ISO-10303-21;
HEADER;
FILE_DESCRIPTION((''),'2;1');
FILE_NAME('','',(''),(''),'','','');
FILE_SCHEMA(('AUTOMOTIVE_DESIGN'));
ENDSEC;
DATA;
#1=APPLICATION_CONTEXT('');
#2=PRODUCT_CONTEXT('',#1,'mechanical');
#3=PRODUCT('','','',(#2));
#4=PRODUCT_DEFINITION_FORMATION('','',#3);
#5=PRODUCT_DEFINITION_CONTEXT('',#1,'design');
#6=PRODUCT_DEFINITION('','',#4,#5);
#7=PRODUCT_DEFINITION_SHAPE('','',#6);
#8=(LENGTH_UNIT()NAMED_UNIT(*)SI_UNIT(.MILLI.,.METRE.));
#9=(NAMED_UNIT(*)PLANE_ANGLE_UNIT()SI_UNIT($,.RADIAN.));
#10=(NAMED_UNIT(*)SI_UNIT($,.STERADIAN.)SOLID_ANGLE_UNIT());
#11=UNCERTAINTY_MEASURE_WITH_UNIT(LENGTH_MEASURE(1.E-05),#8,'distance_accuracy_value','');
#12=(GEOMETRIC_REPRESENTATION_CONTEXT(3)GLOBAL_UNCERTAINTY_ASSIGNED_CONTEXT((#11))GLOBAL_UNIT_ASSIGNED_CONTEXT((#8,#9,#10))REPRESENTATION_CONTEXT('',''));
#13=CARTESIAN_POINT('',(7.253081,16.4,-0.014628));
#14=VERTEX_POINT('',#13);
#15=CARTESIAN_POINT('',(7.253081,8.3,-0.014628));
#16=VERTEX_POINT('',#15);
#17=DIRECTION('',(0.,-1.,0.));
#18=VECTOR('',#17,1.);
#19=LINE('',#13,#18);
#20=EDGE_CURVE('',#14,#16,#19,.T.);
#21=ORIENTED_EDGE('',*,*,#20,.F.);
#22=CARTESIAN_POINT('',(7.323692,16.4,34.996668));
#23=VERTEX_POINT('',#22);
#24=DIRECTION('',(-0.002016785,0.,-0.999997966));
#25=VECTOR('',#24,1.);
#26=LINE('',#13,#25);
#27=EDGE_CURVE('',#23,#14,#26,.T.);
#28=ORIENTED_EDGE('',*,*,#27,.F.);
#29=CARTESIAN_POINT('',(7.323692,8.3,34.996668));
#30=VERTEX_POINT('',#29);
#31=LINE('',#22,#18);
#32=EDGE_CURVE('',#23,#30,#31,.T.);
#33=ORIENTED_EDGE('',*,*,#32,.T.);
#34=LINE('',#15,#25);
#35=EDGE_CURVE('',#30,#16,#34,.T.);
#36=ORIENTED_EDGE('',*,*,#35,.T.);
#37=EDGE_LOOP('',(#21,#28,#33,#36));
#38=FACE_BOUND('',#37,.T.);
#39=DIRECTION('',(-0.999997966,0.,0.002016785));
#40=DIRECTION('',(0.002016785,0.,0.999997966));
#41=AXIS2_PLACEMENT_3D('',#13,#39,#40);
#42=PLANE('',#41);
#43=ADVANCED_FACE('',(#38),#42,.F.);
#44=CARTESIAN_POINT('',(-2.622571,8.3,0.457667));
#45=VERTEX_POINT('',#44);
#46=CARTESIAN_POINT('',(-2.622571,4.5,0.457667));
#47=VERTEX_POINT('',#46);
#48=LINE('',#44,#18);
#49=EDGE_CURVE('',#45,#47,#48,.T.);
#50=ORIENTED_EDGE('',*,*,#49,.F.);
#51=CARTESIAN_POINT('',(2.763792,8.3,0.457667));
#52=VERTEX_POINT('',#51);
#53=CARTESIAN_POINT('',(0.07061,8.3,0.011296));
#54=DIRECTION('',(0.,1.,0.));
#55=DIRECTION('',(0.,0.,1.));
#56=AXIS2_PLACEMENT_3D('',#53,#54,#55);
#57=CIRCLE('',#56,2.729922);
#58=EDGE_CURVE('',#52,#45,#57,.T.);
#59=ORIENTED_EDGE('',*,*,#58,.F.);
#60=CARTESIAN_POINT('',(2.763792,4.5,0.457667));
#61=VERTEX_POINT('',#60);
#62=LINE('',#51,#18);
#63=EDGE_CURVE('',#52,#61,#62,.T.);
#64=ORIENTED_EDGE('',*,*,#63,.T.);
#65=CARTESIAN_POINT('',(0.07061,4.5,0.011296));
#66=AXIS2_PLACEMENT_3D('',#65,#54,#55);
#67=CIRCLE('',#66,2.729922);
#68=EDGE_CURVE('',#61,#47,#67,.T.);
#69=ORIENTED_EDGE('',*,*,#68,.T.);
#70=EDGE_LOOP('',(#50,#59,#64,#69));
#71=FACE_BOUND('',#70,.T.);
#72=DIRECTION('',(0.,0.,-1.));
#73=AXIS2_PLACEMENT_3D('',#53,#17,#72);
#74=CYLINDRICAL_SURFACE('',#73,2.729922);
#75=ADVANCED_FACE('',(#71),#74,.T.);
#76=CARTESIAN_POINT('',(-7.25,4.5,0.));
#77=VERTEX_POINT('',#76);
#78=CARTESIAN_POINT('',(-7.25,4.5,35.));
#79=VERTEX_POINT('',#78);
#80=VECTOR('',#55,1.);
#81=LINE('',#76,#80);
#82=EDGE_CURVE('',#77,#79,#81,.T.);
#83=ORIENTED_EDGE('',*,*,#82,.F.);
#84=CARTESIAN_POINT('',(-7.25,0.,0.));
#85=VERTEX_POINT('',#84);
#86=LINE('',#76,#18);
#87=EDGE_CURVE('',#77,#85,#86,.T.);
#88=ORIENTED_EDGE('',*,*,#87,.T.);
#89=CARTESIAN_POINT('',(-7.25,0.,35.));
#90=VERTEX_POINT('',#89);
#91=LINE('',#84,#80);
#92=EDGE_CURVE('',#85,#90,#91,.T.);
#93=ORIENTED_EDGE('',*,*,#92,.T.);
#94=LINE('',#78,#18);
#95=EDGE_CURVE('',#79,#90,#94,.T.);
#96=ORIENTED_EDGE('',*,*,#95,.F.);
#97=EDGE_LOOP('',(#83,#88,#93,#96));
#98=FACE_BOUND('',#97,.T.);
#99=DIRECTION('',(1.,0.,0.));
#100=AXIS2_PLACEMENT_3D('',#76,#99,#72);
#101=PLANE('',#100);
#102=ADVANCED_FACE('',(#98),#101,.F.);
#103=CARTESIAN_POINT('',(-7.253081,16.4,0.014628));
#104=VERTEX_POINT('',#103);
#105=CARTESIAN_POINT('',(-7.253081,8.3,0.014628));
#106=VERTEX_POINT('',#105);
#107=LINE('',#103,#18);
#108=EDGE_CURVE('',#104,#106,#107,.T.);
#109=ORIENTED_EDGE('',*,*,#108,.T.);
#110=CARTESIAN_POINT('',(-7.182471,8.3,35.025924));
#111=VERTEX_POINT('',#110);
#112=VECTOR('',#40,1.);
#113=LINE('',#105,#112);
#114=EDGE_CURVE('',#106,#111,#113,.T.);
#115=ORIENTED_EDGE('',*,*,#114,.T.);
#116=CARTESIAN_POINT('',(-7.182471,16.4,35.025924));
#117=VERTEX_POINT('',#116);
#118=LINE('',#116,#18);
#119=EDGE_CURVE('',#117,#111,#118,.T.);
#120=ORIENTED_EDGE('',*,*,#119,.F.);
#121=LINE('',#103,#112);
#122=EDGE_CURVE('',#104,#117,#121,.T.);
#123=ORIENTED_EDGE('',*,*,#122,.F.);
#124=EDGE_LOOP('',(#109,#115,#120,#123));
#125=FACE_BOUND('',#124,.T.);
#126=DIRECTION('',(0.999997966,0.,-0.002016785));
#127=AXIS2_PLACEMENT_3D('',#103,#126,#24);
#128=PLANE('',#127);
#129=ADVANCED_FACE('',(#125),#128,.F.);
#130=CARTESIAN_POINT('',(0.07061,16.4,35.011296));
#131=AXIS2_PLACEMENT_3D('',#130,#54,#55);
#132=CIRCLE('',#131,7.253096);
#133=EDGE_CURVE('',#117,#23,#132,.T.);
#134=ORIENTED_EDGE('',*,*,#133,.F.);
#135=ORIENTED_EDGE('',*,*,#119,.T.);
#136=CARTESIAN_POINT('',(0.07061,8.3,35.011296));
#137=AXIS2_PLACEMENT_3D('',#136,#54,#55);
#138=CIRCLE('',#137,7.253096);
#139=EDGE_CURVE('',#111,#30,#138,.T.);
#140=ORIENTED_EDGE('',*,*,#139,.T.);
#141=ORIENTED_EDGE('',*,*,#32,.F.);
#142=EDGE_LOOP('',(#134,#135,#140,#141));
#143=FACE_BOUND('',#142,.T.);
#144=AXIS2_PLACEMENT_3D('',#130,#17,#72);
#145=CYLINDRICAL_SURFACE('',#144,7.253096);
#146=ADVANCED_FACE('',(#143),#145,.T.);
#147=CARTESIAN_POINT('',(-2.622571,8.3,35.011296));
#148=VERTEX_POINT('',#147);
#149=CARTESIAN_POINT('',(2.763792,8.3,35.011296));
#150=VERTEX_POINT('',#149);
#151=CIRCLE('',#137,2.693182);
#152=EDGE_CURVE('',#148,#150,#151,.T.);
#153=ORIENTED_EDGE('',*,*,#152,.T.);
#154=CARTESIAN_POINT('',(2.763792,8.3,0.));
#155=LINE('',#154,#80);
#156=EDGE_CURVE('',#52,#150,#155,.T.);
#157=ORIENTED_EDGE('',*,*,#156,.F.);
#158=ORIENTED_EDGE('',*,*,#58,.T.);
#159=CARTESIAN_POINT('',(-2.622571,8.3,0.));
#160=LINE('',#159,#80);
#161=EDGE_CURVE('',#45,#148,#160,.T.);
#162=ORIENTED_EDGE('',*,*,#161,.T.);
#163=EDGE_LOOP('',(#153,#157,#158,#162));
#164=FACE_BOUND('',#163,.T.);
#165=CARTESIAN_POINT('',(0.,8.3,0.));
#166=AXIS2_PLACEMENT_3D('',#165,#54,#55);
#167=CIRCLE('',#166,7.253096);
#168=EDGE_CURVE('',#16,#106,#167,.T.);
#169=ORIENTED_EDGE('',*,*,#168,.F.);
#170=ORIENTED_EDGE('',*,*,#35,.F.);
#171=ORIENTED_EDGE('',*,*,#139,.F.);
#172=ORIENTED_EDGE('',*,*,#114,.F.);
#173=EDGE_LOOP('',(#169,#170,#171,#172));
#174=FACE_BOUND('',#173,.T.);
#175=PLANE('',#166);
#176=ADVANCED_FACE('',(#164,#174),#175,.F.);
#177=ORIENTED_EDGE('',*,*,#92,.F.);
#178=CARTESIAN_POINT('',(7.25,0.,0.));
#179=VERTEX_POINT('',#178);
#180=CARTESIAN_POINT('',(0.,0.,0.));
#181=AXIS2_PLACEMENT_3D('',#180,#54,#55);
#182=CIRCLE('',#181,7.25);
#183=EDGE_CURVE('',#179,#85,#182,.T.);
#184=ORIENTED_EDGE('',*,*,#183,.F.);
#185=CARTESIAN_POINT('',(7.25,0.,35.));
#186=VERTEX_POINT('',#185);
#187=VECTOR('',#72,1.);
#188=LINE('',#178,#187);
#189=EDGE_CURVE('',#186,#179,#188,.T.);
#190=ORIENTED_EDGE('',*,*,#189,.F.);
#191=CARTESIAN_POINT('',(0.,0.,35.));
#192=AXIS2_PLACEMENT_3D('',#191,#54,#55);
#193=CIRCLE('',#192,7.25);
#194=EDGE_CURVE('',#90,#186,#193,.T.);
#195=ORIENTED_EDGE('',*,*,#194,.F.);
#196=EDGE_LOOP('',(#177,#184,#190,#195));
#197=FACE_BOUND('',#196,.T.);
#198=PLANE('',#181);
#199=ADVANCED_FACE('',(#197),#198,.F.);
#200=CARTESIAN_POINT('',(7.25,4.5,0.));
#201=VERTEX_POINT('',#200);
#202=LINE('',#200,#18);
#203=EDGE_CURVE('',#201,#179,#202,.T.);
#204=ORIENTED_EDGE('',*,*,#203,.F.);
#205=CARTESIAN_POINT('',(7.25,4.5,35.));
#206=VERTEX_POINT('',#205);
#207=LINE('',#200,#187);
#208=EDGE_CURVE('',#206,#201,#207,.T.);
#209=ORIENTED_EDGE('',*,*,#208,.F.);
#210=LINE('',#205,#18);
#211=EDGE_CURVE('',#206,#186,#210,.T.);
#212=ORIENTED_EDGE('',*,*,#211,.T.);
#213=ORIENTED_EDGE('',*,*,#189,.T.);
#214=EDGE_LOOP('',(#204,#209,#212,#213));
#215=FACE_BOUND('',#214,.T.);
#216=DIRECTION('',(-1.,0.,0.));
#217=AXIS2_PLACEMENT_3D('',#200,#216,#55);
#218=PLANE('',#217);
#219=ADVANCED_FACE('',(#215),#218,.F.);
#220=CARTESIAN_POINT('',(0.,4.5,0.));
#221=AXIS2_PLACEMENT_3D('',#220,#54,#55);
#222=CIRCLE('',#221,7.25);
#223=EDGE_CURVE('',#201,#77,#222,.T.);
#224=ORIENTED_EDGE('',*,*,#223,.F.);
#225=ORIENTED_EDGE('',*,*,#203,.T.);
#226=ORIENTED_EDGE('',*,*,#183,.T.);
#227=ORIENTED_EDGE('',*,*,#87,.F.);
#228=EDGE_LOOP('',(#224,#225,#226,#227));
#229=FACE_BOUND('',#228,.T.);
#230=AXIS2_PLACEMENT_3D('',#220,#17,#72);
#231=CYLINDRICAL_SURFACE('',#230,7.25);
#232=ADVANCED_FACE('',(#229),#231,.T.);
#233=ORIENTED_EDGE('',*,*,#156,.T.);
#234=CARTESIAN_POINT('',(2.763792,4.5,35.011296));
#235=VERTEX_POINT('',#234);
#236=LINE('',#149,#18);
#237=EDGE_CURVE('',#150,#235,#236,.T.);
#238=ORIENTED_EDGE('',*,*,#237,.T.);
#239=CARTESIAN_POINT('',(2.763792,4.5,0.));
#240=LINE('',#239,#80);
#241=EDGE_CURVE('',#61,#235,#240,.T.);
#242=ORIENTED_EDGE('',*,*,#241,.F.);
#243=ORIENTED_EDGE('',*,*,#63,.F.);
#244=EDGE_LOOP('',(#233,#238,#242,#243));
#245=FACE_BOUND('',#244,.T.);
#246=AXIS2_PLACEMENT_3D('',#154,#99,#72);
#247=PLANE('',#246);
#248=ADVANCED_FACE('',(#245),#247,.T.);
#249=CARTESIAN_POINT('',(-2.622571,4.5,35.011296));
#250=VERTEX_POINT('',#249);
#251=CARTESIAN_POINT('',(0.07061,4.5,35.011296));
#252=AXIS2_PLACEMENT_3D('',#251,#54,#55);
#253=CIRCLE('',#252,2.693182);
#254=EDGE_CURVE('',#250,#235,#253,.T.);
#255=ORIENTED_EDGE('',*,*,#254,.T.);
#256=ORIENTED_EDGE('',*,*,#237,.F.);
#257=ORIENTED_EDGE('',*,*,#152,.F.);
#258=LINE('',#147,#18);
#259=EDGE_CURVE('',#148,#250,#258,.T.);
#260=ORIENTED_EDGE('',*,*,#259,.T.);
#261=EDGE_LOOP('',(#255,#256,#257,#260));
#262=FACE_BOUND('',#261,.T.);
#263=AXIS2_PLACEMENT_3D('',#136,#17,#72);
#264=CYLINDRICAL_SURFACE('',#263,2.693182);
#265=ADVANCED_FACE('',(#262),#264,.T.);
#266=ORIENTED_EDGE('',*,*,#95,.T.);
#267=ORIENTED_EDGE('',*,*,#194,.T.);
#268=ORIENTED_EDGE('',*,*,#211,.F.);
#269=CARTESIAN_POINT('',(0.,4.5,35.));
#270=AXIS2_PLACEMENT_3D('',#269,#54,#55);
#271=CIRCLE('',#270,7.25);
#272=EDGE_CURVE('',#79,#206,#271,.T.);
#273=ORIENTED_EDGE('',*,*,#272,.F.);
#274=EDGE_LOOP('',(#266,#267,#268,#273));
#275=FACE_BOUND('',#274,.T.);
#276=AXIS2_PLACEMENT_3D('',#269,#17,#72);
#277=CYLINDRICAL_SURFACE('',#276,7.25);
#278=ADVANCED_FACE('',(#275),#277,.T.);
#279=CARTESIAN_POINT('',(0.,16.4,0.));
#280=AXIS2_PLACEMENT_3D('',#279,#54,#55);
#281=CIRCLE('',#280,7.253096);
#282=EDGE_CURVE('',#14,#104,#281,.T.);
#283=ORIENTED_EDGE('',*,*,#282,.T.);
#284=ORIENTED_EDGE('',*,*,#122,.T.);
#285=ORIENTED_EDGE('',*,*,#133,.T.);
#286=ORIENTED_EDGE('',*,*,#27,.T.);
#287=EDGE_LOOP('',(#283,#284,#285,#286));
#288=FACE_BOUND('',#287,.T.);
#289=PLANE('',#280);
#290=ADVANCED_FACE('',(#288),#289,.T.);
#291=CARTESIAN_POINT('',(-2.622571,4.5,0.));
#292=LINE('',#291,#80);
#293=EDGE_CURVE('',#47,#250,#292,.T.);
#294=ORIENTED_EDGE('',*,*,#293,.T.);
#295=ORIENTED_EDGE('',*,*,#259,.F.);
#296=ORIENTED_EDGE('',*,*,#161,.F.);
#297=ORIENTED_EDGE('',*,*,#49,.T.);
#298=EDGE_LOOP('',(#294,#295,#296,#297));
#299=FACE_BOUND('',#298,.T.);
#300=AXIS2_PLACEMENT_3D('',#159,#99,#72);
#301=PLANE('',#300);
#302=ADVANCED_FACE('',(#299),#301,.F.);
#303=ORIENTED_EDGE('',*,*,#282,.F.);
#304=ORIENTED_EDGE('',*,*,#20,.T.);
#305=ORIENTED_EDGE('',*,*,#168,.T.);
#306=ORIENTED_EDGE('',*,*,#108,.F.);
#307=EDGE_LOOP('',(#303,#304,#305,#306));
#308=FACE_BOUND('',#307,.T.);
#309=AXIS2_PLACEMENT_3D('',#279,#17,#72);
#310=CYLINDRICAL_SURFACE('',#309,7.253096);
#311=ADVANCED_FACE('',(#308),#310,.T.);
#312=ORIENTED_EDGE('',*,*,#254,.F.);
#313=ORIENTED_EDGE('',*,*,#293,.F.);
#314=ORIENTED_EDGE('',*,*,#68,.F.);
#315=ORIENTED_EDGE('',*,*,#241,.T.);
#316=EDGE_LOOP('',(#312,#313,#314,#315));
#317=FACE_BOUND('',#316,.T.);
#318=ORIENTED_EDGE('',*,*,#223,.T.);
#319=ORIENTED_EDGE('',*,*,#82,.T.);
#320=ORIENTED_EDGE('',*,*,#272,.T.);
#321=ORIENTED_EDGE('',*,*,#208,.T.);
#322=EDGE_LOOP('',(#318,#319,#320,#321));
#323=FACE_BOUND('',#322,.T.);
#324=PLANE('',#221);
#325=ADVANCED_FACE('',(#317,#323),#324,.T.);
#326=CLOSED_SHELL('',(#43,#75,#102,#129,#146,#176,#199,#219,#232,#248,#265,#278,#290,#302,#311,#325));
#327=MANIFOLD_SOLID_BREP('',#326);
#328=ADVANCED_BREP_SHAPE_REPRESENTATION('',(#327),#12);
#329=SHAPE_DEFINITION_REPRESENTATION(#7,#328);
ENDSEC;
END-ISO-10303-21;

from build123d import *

# Parameters (mm, degrees)
BOSS_EXTRUDE1_DEPTH = 4.5
BOSS_EXTRUDE2_DEPTH = 3.8
BOSS_EXTRUDE3_DEPTH = 8.1


with BuildPart() as part:
    # Sketch1 → Boss-Extrude1 (new body)
    with BuildSketch(Plane(origin=(0, 0, 0), x_dir=(1, 0, 0), z_dir=(0, 1, 0))):
        with BuildLine():
            Line((7.25, 0), (7.25, -35))
            ThreePointArc((7.25, -35), (0, -42.25), (-7.25, -35))
            Line((-7.25, -35), (-7.25, 0))
            ThreePointArc((-7.25, 0), (0, 7.25), (7.25, 0))
        make_face()
    extrude(amount=BOSS_EXTRUDE1_DEPTH)

    # Sketch3 → Boss-Extrude2 (add)
    with BuildSketch(Plane(origin=(0, 4.5, 0), x_dir=(1, 0, 0), z_dir=(0, 1, 0))):
        with BuildLine():
            Line((-2.622571491, -0.457666807), (-2.622571491, -0.011296081))
            Line((-2.622571491, -0.011296081), (2.763792269, -0.011296081))
            Line((2.763792269, -0.011296081), (2.763792269, -0.457666807))
            ThreePointArc((2.763792269, -0.457666807), (2.791332039, -0.235236185), (2.800532634, -0.011296081))
            ThreePointArc((2.800532634, -0.011296081), (-0.153329714, 2.709425568), (-2.622571491, -0.457666807))
        make_face()
        with BuildLine():
            Line((2.763792269, -0.011296081), (-2.622571491, -0.011296081))
            Line((-2.622571491, -0.011296081), (-2.622571491, -0.457666807))
            ThreePointArc((-2.622571491, -0.457666807), (0.070610389, -2.741218326), (2.763792269, -0.457666807))
            Line((2.763792269, -0.457666807), (2.763792269, -0.011296081))
        make_face()
        with BuildLine():
            ThreePointArc((2.763792269, -0.457666807), (0.070610389, -2.741218326), (-2.622571491, -0.457666807))
            Line((-2.622571491, -0.457666807), (-2.622571491, -35.011296081))
            ThreePointArc((-2.622571491, -35.011296081), (0.070610389, -32.318114201), (2.763792269, -35.011296081))
            Line((2.763792269, -35.011296081), (2.763792269, -0.457666807))
        make_face()
        with BuildLine():
            ThreePointArc((2.763792269, -35.011296081), (0.070610389, -32.318114201), (-2.622571491, -35.011296081))
            Line((-2.622571491, -35.011296081), (2.763792269, -35.011296081))
        make_face()
        with BuildLine():
            Line((2.763792269, -35.011296081), (-2.622571491, -35.011296081))
            ThreePointArc((-2.622571491, -35.011296081), (0.070610389, -37.704477961), (2.763792269, -35.011296081))
        make_face()
    extrude(amount=BOSS_EXTRUDE2_DEPTH)

    # Sketch4 → Boss-Extrude3 (add)
    with BuildSketch(Plane(origin=(0, 8.3, 0), x_dir=(1, 0, 0), z_dir=(0, 1, 0))):
        with BuildLine():
            Line((7.25308141, 0.014627933), (7.323691799, -34.996668148))
            ThreePointArc((7.323691799, -34.996668148), (0.085238322, -42.264377491), (-7.182471021, -35.025924014))
            Line((-7.182471021, -35.025924014), (-7.25308141, -0.014627933))
            ThreePointArc((-7.25308141, -0.014627933), (-0.014627933, 7.25308141), (7.25308141, 0.014627933))
        make_face()
    extrude(amount=BOSS_EXTRUDE3_DEPTH)


solid = part.part
